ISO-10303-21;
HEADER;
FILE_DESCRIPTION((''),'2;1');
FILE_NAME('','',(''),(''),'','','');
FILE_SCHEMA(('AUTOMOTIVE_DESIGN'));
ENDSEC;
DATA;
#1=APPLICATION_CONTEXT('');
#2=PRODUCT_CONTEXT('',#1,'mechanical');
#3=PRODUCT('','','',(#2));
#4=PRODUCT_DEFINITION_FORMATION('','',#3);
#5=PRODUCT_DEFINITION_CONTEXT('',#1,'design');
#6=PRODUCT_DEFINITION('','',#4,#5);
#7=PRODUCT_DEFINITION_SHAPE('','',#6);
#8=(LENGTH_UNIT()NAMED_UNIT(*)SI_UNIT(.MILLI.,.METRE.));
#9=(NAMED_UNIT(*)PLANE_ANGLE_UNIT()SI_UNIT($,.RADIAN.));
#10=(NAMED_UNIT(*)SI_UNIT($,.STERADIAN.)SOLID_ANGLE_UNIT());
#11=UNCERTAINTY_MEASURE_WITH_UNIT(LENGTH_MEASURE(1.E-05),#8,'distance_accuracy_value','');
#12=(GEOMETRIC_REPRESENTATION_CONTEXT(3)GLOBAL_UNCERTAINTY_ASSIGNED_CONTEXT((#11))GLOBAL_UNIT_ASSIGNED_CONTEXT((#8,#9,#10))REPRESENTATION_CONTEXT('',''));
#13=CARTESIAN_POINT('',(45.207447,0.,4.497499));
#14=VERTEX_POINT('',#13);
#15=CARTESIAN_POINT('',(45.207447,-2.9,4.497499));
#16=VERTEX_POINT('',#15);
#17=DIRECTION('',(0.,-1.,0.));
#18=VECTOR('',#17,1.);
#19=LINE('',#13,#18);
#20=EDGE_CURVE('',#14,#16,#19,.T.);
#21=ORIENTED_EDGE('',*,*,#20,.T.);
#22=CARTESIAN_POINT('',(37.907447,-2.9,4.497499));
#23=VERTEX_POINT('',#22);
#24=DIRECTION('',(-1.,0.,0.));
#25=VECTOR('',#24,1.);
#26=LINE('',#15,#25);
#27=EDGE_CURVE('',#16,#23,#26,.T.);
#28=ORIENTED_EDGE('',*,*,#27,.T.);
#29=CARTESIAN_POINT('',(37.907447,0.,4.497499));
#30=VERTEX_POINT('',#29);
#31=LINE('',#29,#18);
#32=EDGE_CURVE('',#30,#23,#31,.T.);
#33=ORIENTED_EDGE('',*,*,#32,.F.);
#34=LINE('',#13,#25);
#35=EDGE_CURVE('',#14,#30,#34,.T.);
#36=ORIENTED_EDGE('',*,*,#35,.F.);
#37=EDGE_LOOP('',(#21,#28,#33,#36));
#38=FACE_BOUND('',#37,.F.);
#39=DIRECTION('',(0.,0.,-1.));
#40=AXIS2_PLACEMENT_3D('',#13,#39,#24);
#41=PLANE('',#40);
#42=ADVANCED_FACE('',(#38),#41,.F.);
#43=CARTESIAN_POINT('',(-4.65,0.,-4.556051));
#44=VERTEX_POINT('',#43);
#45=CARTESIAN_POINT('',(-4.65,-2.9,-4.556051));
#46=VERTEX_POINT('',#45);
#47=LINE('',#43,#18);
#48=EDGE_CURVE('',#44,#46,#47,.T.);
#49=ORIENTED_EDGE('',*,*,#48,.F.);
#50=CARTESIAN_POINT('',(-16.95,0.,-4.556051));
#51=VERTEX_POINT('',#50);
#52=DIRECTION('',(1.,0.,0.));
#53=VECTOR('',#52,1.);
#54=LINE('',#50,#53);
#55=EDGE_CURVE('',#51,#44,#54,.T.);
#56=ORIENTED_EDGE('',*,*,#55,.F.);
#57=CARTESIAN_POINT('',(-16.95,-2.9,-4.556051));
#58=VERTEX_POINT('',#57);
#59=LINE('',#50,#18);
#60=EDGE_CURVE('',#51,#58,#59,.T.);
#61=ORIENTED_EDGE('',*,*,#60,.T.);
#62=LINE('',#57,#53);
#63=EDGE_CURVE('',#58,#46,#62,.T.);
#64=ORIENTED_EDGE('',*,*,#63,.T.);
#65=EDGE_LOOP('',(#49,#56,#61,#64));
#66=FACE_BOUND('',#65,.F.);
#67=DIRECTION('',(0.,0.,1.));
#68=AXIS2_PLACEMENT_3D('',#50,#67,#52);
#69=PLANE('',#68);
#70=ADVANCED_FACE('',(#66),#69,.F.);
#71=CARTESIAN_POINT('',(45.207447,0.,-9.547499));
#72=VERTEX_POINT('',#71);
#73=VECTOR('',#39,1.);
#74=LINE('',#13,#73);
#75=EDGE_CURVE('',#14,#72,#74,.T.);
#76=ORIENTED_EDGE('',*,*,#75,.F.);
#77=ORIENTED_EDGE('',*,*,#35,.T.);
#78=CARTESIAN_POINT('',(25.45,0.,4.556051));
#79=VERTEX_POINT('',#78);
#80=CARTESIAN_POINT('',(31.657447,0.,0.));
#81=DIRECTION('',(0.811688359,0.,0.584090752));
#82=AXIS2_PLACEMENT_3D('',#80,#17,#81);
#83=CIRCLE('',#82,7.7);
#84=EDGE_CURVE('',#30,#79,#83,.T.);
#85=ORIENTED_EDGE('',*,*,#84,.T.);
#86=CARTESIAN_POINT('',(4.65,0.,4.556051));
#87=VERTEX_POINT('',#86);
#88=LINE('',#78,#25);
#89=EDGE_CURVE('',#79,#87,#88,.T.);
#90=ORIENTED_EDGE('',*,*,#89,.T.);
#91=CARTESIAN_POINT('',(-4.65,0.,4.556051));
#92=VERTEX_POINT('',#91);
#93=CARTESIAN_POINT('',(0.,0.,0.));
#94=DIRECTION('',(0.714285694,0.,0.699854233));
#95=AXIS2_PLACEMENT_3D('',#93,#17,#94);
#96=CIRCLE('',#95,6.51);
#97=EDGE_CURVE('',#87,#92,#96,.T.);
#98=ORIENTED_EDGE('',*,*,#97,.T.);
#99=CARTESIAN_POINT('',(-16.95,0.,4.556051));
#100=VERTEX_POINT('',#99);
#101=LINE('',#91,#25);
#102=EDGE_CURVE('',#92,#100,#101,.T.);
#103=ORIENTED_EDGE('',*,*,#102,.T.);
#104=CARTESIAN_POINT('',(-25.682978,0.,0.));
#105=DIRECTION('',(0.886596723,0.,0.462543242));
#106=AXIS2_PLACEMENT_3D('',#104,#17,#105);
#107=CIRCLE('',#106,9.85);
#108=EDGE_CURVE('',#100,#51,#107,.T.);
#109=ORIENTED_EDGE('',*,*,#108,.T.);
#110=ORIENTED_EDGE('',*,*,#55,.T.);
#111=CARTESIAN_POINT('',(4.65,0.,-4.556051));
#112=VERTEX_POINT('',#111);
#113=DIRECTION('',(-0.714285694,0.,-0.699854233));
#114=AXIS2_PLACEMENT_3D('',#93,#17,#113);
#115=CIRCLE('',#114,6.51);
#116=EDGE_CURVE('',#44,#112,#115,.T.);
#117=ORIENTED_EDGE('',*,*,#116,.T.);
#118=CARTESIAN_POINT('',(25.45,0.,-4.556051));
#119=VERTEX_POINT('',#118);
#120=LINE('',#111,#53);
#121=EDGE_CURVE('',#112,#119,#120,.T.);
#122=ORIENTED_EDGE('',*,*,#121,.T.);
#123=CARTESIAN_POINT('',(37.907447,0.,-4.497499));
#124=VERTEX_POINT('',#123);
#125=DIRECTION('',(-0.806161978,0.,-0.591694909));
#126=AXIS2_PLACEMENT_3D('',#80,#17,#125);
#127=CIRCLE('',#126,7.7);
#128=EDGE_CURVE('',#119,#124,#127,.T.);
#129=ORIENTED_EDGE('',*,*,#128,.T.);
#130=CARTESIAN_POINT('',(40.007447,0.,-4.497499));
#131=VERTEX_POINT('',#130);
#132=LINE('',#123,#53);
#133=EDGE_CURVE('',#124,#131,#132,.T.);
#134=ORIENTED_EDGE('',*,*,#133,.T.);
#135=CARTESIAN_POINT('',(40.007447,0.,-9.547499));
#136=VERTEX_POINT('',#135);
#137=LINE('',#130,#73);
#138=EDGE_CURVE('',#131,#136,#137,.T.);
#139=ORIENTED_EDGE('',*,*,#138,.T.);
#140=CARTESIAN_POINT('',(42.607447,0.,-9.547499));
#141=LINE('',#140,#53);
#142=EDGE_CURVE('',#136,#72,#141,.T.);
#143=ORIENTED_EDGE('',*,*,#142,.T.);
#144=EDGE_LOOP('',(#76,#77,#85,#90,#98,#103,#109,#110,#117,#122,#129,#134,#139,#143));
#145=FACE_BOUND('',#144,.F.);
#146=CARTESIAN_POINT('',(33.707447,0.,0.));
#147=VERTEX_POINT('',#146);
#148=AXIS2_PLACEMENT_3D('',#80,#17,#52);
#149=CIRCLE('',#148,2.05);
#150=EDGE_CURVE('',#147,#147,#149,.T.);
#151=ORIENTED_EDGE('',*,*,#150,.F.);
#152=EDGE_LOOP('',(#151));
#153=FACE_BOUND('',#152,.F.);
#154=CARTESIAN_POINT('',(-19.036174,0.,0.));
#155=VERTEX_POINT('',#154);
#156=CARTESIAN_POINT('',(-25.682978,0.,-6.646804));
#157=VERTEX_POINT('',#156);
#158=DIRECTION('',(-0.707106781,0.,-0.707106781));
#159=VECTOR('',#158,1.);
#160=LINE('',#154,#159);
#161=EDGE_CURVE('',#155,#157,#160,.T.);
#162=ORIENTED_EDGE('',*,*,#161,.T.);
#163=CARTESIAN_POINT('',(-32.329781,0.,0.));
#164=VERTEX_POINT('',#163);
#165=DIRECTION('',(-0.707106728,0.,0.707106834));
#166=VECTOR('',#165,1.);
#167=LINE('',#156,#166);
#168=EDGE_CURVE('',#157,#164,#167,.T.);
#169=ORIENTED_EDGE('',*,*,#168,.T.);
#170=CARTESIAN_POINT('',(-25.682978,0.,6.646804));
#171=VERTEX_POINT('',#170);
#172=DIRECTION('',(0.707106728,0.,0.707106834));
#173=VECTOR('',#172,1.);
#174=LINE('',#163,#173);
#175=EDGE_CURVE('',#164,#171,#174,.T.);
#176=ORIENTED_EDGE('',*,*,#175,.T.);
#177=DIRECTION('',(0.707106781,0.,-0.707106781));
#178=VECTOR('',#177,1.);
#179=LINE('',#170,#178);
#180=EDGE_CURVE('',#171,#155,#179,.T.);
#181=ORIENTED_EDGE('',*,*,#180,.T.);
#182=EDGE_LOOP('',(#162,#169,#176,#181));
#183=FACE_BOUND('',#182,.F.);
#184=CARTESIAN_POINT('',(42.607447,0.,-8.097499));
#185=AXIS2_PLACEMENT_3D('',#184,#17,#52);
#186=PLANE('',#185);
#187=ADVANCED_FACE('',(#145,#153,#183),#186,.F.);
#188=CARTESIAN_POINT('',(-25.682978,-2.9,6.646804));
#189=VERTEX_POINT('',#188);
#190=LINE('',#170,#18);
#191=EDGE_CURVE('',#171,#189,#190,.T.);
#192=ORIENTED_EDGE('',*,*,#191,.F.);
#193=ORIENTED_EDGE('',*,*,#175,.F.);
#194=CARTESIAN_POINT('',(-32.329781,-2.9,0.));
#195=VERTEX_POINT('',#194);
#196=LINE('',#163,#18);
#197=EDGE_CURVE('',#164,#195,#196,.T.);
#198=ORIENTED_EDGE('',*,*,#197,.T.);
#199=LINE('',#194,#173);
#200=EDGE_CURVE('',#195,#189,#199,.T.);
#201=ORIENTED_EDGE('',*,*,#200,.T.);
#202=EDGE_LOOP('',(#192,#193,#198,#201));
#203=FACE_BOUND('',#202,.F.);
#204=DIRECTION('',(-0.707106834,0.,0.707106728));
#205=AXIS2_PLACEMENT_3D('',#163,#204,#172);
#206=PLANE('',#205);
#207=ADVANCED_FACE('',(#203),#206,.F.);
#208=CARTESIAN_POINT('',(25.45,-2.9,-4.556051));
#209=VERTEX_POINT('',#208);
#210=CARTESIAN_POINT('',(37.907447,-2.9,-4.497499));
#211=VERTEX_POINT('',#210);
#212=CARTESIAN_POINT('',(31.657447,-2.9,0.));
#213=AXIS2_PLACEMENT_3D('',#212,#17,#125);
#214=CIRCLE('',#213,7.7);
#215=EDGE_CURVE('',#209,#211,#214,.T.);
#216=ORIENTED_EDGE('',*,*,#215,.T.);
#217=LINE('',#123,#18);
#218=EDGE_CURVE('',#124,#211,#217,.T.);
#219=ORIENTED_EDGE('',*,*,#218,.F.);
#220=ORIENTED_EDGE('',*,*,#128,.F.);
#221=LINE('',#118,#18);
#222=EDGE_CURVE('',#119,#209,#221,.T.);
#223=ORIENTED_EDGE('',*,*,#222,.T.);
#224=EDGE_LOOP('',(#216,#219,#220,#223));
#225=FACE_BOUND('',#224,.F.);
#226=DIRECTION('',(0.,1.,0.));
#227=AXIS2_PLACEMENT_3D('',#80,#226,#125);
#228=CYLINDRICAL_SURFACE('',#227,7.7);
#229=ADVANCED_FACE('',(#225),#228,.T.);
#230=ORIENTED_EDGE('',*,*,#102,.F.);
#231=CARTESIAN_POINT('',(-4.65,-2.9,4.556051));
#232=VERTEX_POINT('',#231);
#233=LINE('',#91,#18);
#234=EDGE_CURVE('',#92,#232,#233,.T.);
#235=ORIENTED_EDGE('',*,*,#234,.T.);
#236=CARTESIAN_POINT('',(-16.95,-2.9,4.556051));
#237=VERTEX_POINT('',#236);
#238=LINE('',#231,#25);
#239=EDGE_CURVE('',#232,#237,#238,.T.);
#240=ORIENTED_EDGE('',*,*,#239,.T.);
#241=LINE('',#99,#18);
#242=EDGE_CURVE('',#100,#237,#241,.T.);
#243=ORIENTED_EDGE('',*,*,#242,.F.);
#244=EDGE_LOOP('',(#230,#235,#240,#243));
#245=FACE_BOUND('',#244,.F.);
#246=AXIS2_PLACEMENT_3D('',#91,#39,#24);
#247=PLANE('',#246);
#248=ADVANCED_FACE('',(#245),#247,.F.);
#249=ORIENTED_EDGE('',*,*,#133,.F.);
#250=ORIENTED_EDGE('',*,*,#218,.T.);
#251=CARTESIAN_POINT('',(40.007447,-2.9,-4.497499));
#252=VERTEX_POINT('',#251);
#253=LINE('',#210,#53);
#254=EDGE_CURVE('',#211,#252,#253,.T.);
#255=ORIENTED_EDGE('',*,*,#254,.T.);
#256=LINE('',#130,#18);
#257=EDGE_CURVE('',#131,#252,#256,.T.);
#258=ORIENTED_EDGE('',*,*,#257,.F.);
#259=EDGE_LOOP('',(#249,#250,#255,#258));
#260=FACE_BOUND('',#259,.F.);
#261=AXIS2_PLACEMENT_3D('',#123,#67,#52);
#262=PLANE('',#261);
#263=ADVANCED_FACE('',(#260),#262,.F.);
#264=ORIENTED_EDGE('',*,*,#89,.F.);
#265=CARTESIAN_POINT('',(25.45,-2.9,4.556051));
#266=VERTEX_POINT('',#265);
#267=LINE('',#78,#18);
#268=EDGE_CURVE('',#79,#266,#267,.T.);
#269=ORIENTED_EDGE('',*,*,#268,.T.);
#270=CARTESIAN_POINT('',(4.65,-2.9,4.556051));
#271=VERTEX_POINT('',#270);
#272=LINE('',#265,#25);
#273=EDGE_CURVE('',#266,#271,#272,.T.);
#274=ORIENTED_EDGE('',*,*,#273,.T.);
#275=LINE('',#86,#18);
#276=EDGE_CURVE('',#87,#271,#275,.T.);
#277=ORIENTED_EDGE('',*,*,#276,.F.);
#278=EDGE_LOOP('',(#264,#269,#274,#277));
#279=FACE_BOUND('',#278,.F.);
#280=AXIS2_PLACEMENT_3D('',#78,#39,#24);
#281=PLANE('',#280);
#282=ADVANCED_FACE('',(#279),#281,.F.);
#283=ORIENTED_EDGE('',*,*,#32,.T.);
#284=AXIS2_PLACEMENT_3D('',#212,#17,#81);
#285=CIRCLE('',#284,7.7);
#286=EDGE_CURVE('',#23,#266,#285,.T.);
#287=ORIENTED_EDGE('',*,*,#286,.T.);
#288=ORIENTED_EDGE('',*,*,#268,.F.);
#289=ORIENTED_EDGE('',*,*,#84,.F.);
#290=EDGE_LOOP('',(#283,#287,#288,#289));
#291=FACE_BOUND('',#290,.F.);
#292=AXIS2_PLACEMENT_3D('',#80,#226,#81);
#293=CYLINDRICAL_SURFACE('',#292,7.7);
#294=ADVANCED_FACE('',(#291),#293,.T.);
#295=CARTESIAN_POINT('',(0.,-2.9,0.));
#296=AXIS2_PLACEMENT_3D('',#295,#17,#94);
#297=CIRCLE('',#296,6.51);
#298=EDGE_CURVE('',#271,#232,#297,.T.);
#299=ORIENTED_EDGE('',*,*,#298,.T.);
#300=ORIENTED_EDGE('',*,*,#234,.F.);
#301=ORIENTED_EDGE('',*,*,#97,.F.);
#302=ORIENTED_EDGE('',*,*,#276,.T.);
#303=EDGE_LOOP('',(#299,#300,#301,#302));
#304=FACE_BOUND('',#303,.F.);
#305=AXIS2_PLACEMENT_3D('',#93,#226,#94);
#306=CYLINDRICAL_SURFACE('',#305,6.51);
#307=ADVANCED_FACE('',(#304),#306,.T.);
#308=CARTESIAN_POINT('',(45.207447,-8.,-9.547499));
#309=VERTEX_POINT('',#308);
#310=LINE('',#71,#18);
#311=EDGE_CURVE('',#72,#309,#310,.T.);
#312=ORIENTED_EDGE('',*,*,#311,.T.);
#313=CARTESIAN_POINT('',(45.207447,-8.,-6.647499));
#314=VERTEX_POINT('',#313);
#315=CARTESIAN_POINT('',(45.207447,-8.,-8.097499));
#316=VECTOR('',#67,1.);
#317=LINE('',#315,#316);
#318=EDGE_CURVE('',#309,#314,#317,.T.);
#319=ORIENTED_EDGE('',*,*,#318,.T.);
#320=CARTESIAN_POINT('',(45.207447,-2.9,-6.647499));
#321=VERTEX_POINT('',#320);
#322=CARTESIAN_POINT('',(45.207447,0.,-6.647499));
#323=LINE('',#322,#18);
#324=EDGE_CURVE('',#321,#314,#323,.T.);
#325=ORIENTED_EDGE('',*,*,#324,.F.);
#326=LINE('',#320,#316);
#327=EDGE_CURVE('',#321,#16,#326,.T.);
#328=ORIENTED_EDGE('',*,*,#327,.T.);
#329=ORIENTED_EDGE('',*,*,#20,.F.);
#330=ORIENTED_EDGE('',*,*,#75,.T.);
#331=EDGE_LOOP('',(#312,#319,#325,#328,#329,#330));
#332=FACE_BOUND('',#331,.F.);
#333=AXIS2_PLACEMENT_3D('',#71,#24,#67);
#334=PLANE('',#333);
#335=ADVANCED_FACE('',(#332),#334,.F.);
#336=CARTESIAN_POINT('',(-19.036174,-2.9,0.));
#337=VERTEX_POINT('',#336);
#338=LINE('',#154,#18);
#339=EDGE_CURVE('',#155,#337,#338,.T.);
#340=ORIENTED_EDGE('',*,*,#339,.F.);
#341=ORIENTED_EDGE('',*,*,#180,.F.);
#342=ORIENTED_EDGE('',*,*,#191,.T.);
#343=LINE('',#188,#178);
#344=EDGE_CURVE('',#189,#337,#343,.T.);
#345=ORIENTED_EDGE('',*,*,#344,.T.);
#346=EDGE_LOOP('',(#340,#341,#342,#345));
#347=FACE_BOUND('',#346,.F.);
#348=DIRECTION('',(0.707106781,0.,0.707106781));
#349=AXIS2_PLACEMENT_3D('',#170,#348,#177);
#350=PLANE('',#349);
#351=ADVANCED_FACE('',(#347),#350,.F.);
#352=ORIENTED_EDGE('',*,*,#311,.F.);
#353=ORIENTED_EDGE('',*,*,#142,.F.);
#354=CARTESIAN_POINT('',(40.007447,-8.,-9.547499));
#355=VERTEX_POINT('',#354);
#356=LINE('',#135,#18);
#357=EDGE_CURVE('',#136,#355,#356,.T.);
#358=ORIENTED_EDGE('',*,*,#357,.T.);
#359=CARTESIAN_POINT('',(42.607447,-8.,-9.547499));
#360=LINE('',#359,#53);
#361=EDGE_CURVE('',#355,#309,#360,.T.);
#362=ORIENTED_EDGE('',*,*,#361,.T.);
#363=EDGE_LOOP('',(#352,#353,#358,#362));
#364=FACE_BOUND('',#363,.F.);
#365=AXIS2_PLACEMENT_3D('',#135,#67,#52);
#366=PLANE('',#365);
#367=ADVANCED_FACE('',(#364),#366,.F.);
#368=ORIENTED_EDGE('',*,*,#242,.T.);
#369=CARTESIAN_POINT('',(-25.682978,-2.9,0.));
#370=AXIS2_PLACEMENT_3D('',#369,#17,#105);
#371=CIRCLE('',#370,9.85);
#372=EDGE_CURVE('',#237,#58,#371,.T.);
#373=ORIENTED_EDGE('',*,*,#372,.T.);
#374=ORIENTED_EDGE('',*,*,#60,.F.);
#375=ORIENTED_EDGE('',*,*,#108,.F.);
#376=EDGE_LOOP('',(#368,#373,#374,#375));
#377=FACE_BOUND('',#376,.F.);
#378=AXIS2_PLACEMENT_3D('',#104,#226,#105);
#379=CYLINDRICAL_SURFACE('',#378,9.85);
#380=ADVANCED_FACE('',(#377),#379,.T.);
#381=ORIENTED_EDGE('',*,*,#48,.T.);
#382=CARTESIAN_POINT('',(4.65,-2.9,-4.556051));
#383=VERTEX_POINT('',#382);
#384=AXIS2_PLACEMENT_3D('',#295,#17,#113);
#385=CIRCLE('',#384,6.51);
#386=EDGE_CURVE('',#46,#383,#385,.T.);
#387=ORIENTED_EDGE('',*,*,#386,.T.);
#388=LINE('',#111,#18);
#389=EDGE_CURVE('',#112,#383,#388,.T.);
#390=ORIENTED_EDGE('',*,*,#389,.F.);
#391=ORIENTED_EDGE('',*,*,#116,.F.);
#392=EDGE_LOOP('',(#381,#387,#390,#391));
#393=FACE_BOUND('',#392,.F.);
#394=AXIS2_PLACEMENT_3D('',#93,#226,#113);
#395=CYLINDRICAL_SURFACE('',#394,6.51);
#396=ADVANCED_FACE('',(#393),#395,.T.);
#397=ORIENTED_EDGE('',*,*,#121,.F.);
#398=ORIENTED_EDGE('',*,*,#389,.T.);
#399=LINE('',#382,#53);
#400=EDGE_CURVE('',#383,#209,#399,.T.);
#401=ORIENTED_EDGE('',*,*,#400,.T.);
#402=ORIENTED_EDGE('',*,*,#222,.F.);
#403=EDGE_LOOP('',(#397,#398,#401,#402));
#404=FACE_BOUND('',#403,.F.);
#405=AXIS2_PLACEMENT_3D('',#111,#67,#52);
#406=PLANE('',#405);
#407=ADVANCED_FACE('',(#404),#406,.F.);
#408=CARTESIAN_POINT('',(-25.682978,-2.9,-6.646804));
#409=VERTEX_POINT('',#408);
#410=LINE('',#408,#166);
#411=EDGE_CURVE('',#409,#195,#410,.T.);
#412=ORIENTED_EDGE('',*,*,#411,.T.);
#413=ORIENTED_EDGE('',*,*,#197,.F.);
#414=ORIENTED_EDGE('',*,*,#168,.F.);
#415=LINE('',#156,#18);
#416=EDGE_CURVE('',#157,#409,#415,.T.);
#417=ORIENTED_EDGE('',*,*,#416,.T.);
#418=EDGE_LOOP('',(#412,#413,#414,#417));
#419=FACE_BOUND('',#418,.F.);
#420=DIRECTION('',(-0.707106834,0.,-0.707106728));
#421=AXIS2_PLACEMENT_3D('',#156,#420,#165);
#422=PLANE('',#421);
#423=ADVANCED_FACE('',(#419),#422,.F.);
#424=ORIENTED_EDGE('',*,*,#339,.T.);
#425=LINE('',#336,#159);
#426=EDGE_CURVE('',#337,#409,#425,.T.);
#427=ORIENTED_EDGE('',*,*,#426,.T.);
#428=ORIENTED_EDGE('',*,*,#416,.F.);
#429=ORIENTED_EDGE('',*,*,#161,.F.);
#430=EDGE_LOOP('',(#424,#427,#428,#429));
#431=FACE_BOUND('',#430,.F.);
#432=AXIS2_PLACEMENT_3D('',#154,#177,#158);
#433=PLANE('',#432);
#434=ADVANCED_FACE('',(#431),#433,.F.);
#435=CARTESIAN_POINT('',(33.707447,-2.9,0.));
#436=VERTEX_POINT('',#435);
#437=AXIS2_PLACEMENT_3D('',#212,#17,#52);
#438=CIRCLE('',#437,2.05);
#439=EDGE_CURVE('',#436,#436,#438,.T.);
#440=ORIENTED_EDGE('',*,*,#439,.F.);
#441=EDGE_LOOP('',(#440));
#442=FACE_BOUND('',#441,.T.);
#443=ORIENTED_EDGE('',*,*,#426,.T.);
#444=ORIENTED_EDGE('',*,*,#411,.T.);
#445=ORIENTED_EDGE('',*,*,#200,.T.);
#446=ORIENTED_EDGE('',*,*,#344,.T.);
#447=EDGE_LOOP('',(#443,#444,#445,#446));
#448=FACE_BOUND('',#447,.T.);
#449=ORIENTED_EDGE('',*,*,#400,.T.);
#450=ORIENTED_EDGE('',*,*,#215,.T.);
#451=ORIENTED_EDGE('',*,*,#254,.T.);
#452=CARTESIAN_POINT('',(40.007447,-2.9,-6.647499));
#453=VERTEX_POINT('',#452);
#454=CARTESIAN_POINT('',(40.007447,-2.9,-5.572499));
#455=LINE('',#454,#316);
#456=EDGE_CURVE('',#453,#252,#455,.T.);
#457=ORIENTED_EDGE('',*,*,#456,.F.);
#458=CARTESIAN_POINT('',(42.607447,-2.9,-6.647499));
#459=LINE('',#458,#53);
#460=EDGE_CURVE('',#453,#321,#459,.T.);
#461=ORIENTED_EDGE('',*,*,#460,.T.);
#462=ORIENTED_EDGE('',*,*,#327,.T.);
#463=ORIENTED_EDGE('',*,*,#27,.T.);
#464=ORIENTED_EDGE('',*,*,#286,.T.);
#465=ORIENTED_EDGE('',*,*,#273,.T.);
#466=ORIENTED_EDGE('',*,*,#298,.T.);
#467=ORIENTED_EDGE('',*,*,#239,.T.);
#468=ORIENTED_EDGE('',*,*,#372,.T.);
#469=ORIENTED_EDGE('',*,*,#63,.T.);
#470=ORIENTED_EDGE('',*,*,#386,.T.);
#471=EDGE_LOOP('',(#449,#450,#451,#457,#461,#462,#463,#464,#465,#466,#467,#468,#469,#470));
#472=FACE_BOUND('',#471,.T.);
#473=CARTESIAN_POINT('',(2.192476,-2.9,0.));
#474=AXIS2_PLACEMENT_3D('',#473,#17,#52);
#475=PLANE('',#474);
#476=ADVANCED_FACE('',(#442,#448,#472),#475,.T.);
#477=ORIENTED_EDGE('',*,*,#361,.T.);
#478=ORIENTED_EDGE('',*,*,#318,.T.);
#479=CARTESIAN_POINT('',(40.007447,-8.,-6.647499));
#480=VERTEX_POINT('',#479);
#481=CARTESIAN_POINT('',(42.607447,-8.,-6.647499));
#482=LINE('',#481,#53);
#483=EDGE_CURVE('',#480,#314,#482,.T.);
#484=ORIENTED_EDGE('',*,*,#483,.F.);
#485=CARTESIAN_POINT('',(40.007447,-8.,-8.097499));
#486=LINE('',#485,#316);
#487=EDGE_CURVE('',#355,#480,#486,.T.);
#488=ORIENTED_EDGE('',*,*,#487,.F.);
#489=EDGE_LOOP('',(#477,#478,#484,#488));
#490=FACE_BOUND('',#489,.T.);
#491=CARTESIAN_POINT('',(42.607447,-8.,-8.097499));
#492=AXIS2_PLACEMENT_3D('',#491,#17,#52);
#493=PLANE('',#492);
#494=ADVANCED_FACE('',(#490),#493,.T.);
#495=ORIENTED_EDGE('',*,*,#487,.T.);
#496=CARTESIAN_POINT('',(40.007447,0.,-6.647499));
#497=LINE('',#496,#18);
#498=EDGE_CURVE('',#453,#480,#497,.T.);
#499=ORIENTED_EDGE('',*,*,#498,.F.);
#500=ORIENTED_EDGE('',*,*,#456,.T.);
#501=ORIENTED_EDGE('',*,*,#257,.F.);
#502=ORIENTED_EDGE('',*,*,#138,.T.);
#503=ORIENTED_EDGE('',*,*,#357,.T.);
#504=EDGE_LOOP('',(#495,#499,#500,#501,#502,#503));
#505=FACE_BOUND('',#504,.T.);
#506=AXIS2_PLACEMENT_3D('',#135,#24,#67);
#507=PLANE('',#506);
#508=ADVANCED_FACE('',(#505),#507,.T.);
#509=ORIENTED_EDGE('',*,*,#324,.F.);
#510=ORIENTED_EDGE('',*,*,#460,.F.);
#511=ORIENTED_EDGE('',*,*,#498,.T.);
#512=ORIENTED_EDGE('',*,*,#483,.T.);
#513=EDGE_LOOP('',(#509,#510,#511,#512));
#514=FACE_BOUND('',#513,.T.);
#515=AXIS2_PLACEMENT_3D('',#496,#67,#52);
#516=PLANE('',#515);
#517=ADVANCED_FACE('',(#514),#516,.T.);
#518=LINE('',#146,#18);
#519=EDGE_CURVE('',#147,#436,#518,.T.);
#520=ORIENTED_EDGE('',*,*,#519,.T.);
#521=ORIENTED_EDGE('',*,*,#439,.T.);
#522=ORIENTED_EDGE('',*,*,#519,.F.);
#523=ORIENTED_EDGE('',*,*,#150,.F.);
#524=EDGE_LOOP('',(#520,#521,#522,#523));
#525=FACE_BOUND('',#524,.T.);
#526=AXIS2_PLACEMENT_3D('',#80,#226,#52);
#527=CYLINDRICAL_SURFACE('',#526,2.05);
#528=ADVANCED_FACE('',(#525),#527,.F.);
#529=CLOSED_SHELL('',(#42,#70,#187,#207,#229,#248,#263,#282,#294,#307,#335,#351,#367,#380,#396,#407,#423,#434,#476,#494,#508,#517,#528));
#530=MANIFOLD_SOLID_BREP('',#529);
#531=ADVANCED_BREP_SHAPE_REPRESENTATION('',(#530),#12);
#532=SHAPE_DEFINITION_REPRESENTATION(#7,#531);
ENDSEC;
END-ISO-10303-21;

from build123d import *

# Parameters (mm, degrees)
F0_R     = 2.05
F0_W     = 5.2
F0_H     = 2.15
F1_DEPTH = 2.9
F0_H_2   = 2.9
F2_DEPTH = 8


with BuildPart() as f1:
    # F0 (on Front) → F1 (new body)
    with BuildSketch(Plane.XZ):
        with BuildLine():
            Line((25.45, 4.556051), (4.65, 4.556051))
            ThreePointArc((4.65, 4.556051), (0, 6.51), (-4.65, 4.556051))
            Line((-4.65, 4.556051), (-16.95, 4.556051))
            ThreePointArc((-16.95, 4.556051), (-35.532978, 0), (-16.95, -4.556051))
            Line((-16.95, -4.556051), (-4.65, -4.556051))
            ThreePointArc((-4.65, -4.556051), (0, -6.51), (4.65, -4.556051))
            Line((4.65, -4.556051), (25.45, -4.556051))
            ThreePointArc((25.45, -4.556051), (31.693638, -7.699915), (37.907447, -4.497499))
            Line((37.907447, -4.497499), (37.907447, 0))
            Line((37.907447, 0), (37.907447, 4.497499))
            ThreePointArc((37.907447, 4.497499), (31.693638, 7.699915), (25.45, 4.556051))
        make_face()
        Polygon((-32.329781, 0), (-25.682978, 6.646804), (-19.036174, 0), (-25.682978, -6.646804), align=None, mode=Mode.SUBTRACT)
        with Locations((31.657447, 0)):
            Circle(F0_R, mode=Mode.SUBTRACT)
        Polygon((45.207447, 4.497499), (37.907447, 4.497499), (37.907447, 0), (37.907447, -4.497499), (40.007447, -4.497499), (45.207447, -4.497499), align=None)
        with Locations((42.607447, -5.572499)):
            Rectangle(F0_W, F0_H)
    extrude(amount=F1_DEPTH)

    # F0 (on Front) → F2 (join)
    with BuildSketch(Plane.XZ):
        with Locations((42.607447, -8.097499)):
            Rectangle(F0_W, F0_H_2)
    extrude(amount=F2_DEPTH)


solid = f1.part
